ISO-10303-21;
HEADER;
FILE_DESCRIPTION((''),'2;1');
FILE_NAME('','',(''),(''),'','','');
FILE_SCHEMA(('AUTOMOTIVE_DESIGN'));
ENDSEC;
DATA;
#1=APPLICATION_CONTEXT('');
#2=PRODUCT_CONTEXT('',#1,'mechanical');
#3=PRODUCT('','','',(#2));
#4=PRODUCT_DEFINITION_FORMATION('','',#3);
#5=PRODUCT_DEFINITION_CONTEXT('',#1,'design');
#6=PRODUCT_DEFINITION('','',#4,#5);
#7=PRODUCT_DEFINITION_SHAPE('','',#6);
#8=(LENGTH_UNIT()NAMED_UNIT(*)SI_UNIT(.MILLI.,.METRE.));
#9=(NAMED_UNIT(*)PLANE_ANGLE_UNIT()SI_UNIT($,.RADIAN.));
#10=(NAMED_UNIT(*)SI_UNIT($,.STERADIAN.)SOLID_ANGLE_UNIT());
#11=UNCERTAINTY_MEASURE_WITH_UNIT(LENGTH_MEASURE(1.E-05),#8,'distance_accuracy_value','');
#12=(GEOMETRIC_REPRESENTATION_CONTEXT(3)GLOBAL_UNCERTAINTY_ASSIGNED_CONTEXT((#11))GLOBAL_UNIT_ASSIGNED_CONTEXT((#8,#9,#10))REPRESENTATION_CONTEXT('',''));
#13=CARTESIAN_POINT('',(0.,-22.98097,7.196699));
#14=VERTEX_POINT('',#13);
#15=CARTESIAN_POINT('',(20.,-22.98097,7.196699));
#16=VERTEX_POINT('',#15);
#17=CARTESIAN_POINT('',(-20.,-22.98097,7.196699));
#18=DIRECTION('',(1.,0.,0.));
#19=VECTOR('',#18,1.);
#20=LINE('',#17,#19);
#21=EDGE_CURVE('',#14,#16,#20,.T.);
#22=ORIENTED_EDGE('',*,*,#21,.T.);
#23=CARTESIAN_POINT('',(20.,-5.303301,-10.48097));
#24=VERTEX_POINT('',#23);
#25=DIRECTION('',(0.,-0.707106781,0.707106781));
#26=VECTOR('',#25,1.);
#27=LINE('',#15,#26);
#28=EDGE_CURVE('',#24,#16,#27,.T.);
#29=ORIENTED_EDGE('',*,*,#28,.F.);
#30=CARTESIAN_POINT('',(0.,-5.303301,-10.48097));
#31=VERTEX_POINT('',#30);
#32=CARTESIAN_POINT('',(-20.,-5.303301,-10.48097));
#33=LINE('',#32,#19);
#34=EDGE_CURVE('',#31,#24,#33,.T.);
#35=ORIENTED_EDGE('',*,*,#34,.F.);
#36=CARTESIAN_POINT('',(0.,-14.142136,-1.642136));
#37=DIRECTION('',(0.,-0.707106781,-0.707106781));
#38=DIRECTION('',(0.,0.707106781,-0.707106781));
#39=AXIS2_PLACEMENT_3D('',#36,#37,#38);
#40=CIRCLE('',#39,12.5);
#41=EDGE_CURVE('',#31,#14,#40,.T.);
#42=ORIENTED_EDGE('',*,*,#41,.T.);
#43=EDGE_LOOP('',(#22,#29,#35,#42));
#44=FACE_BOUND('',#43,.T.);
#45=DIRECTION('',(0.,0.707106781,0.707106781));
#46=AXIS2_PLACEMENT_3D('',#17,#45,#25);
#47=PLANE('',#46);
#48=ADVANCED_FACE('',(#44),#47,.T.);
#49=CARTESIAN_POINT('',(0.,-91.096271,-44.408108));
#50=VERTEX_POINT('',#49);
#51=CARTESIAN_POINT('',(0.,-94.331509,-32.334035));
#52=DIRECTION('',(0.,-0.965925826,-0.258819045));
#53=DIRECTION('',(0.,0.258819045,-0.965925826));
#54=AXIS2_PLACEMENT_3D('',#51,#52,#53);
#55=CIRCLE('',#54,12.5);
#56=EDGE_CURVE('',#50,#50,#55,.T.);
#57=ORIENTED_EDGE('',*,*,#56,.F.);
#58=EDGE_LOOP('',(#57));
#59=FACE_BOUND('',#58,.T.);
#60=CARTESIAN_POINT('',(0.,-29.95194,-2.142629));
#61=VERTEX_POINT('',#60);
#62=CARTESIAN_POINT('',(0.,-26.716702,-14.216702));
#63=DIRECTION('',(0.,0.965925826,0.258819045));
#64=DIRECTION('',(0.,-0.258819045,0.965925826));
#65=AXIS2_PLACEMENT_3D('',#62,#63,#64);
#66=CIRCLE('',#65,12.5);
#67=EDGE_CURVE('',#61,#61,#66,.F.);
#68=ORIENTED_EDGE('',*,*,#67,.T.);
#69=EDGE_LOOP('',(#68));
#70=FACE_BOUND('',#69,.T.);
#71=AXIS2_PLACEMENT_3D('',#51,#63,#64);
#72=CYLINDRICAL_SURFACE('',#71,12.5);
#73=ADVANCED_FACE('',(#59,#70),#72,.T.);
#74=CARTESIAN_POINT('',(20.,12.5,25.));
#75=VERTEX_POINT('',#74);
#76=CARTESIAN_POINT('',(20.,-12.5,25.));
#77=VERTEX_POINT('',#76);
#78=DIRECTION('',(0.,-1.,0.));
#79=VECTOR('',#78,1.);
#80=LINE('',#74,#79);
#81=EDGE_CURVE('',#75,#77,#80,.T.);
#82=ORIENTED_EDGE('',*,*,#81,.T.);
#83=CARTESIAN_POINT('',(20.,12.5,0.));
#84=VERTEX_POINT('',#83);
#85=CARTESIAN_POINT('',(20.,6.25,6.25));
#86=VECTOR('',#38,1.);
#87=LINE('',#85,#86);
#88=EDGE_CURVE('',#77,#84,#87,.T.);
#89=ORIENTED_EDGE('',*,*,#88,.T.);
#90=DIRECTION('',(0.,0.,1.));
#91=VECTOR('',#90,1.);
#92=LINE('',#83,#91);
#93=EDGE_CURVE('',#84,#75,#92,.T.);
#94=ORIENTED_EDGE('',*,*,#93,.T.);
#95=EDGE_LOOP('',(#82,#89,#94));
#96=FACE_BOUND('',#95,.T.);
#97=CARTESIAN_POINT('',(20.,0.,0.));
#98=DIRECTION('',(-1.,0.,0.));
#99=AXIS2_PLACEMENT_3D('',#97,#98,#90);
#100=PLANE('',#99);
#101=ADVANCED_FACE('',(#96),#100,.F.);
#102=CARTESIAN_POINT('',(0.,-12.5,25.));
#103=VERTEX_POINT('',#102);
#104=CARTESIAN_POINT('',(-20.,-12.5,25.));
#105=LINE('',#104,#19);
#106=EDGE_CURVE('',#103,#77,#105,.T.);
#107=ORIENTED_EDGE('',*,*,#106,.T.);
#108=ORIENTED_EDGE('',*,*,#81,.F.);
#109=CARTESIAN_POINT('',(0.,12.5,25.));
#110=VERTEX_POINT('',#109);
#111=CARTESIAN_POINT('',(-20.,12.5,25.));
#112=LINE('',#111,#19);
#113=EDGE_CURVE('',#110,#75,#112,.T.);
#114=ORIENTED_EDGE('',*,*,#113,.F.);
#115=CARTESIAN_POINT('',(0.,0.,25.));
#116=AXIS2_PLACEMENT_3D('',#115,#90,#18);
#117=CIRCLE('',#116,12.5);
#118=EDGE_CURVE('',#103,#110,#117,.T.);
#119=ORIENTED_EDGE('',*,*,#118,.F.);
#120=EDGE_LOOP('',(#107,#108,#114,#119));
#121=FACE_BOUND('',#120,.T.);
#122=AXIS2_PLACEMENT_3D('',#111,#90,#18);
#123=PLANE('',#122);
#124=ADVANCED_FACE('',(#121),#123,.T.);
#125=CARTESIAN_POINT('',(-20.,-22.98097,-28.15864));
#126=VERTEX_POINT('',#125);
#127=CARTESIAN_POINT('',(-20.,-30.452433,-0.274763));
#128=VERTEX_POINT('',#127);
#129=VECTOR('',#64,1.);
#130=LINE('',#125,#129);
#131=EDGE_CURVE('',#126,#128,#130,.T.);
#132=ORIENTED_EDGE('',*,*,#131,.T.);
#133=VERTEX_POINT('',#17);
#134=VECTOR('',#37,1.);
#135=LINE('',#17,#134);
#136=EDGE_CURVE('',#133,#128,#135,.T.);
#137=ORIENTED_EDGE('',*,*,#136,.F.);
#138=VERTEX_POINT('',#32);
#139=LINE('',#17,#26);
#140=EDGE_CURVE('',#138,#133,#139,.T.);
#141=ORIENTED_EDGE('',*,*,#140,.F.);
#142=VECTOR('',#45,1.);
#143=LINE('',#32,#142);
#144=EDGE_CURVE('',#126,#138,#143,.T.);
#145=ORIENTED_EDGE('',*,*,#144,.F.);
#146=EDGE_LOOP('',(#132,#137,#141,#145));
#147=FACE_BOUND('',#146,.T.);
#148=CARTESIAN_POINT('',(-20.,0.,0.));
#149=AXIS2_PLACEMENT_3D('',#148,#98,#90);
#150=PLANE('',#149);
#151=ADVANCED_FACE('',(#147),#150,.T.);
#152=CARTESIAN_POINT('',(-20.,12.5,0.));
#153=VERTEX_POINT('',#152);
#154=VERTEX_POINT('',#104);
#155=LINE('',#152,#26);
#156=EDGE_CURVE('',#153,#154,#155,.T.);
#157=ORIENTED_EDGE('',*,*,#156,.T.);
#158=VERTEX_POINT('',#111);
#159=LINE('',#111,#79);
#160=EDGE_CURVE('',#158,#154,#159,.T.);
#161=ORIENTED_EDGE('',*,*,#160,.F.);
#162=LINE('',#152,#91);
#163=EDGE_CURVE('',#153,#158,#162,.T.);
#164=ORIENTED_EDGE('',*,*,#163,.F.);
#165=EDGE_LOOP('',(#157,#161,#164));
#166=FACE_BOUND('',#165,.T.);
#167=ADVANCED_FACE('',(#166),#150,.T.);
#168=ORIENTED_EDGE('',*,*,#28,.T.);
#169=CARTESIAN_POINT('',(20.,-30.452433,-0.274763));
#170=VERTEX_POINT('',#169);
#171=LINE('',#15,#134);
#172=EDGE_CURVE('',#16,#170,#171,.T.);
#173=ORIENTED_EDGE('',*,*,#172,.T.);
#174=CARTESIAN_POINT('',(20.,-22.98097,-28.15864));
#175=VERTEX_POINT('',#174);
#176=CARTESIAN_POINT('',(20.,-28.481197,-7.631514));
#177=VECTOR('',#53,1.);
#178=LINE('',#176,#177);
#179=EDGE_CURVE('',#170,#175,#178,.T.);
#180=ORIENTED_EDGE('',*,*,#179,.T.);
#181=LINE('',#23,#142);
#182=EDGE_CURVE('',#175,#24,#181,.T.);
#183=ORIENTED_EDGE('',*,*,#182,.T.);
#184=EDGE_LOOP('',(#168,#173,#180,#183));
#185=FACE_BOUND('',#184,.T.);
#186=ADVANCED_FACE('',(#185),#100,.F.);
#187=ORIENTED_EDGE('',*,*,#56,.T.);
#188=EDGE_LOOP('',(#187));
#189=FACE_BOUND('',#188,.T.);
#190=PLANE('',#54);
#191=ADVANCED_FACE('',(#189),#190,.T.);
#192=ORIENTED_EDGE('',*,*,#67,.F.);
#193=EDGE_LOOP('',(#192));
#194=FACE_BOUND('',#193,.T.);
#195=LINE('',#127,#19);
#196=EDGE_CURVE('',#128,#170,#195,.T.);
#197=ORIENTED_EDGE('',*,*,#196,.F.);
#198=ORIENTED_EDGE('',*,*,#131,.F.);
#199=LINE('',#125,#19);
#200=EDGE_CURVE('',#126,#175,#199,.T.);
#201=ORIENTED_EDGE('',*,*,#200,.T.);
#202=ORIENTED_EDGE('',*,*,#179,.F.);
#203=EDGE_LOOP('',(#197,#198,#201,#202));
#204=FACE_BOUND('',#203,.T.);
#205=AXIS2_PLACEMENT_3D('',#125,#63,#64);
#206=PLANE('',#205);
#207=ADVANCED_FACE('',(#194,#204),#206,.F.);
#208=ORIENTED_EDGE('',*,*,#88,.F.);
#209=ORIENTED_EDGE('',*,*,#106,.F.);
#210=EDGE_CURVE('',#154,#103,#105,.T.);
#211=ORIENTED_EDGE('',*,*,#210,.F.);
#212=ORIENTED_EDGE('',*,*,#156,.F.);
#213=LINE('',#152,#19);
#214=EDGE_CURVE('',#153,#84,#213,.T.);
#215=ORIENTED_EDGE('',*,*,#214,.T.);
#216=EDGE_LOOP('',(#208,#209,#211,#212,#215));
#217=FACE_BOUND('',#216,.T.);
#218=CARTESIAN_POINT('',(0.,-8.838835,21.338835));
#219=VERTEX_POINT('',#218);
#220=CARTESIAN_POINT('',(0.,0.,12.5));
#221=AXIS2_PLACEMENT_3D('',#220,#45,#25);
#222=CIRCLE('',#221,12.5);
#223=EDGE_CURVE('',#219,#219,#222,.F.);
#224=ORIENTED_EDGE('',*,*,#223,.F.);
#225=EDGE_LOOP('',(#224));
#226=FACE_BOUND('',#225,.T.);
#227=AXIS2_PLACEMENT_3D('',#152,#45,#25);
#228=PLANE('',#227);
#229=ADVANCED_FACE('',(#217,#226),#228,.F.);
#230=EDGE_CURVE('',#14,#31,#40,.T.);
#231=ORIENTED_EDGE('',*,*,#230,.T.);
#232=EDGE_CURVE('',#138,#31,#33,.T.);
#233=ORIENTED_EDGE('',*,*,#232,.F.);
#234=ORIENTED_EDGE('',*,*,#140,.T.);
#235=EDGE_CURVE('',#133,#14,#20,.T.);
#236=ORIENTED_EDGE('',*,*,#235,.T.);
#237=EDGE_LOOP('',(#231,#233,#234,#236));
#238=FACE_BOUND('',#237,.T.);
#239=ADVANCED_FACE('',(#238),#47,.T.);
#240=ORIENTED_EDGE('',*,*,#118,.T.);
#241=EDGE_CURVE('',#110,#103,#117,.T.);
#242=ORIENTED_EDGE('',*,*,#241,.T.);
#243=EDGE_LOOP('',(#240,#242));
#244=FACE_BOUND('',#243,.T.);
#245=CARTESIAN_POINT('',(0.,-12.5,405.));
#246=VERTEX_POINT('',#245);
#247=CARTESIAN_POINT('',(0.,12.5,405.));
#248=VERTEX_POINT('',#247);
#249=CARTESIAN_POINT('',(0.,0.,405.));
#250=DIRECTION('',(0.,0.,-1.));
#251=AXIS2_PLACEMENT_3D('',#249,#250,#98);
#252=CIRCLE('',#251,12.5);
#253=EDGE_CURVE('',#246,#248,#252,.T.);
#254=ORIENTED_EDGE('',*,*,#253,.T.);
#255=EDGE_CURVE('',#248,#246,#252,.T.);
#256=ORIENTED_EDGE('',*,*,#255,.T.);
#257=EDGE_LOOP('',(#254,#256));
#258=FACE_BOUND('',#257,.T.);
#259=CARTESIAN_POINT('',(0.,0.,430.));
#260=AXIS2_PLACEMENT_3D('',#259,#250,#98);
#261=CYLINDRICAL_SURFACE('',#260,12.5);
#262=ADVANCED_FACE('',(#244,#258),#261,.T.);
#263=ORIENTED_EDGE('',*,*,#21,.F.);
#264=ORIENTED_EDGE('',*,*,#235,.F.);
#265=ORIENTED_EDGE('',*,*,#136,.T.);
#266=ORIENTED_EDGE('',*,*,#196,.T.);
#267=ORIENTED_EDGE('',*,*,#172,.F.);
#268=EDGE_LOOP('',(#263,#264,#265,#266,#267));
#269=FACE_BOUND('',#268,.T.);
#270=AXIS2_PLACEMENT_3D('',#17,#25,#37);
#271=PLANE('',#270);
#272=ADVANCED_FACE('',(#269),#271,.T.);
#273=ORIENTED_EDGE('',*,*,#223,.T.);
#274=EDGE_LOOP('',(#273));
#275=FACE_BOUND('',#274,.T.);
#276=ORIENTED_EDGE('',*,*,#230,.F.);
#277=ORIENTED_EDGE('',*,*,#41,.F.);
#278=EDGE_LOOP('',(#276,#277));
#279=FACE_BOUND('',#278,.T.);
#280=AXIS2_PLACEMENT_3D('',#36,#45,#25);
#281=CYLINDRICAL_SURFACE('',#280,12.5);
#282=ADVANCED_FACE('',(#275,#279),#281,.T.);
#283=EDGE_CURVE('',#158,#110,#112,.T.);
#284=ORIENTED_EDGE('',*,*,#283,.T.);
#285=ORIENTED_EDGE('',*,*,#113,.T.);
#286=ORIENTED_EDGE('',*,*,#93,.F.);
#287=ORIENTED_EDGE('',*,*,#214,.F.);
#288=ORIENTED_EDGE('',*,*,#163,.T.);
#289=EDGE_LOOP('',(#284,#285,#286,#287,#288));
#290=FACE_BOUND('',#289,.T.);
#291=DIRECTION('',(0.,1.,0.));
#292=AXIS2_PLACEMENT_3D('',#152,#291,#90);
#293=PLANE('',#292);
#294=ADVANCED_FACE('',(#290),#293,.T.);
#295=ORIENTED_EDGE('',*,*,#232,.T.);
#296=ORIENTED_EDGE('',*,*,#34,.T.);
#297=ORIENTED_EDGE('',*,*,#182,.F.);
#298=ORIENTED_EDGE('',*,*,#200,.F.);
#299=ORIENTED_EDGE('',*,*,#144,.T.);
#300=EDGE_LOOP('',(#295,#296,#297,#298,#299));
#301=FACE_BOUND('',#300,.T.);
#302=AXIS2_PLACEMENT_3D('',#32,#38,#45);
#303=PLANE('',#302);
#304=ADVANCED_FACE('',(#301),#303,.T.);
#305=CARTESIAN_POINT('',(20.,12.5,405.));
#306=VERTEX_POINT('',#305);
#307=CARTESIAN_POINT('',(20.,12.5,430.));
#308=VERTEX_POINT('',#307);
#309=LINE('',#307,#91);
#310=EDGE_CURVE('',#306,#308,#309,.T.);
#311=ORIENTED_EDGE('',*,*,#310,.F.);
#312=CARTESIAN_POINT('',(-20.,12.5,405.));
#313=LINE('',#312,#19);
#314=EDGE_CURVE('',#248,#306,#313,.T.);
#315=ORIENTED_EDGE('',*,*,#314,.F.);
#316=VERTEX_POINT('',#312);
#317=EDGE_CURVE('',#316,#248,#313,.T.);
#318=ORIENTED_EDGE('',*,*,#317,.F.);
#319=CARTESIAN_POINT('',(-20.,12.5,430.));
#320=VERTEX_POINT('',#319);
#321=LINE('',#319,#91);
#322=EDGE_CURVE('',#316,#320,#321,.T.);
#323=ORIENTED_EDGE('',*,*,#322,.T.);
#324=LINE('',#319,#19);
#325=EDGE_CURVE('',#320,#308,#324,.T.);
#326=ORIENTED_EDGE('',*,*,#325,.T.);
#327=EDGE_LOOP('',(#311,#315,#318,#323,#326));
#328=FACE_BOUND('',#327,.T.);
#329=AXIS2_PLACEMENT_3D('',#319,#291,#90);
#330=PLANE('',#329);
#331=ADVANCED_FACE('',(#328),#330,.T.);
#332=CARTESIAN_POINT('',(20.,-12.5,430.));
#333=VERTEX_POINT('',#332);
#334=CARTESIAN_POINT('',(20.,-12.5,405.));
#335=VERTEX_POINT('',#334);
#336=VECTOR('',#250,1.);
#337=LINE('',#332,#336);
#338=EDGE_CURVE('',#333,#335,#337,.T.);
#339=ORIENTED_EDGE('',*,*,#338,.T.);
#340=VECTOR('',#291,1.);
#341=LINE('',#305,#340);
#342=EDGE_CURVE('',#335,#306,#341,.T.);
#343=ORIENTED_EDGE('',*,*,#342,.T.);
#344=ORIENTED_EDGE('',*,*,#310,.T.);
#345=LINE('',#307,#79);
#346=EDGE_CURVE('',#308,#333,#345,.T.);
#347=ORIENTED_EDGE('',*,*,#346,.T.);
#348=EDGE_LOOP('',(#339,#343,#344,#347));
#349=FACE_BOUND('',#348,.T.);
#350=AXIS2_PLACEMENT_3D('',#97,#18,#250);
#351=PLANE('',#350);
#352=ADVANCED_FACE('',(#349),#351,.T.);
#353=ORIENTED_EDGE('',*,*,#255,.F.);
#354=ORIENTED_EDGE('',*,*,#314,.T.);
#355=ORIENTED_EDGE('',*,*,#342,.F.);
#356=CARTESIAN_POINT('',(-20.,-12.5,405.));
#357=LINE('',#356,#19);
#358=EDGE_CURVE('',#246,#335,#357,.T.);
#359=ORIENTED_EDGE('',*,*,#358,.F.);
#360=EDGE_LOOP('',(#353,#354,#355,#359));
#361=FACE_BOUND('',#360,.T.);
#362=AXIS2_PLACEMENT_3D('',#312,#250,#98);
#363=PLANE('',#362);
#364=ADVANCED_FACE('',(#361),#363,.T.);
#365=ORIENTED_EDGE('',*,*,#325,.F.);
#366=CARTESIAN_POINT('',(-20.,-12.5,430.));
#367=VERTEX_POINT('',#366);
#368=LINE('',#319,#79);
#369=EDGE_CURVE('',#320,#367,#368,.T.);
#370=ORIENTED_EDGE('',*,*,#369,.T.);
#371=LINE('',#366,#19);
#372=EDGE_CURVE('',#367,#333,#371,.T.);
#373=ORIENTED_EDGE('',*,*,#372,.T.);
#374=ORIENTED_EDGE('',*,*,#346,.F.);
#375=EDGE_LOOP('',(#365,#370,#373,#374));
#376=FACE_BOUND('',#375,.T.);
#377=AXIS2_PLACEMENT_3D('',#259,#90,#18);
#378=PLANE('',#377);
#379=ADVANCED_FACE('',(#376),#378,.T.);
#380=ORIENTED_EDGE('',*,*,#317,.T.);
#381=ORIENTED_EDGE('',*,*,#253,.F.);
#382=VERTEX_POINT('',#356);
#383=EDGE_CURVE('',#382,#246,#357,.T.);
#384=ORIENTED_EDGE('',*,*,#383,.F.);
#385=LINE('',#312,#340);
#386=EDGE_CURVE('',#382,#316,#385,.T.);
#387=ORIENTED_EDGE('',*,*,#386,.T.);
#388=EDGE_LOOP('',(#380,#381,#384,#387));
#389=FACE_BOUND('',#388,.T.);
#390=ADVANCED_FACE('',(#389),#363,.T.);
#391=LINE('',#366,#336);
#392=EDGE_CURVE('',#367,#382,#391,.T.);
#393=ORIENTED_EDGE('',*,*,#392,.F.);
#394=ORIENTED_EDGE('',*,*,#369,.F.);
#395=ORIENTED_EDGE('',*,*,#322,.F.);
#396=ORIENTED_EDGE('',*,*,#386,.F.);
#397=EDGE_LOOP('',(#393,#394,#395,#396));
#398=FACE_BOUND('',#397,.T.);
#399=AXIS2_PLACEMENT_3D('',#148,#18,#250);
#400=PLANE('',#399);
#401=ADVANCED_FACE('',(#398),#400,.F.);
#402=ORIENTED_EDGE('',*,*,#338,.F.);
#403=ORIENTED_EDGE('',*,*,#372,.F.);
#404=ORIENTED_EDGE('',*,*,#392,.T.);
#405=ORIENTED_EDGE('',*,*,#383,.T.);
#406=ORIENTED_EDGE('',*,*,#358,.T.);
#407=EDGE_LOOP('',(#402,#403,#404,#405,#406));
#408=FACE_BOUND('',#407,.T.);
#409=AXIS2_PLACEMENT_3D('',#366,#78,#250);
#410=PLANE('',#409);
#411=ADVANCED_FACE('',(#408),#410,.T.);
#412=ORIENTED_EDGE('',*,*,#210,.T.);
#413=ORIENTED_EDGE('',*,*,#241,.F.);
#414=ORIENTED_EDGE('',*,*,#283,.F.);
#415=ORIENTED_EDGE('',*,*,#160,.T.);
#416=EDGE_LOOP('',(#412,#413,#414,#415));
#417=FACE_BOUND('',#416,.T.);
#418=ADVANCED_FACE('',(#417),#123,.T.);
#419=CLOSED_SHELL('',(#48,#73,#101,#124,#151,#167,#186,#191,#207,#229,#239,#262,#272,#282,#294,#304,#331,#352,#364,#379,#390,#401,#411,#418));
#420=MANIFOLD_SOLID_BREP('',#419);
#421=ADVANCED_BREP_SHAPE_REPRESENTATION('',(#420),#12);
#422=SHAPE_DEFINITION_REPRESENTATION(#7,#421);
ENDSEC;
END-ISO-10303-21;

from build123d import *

# Parameters (mm, degrees)
ESQUISSE3_R                  = 12.5
BOSS_EXTRU_1_DEPTH           = 430
BOSS_EXTRU_2_DEPTH           = 20
BOSS_EXTRU_2_DEPTH_BACK      = 20
ESQUISSE4_W                  = 25
ESQUISSE4_H                  = 25
ENL_V_MAT_EXTRU_1_DEPTH      = 433.037324776
ENL_V_MAT_EXTRU_1_DEPTH_BACK = 433.037324776
ESQUISSE9_R                  = 12.5
BOSS_EXTRU_3_DEPTH           = 20
BOSS_EXTRU_4_DEPTH           = 40
ENL_V_MAT_EXTRU_2_DEPTH      = 434.766210072
ENL_V_MAT_EXTRU_2_DEPTH_BACK = 434.766210072
ESQUISSE12_R                 = 12.5
BOSS_EXTRU_5_DEPTH           = 70


with BuildPart() as part:
    # Esquisse3 → Boss.-Extru.1 (new body)
    with BuildSketch(Plane.XY):
        Circle(ESQUISSE3_R)
    extrude(amount=BOSS_EXTRU_1_DEPTH)

    # Esquisse4 → Boss.-Extru.2 (add, two sides: drawn at the far end of the back side and taken through both)
    with BuildSketch(Plane(origin=(0, 0, 0), x_dir=(0, 0, -1), z_dir=(1, 0, 0)).offset(-BOSS_EXTRU_2_DEPTH_BACK)):
        with Locations((-417.5, 0)):
            Rectangle(ESQUISSE4_W, ESQUISSE4_H)
        with Locations((-12.5, 0)):
            Rectangle(ESQUISSE4_W, ESQUISSE4_H)
    extrude(amount=BOSS_EXTRU_2_DEPTH + BOSS_EXTRU_2_DEPTH_BACK)

    # Esquisse8 → Enlèv. mat.-Extru.1 (cut, two sides: drawn at the far end of the back side and taken through both)
    with BuildSketch(Plane(origin=(20, 0, 0), x_dir=(0, 0, -1), z_dir=(1, 0, 0)).offset(-ENL_V_MAT_EXTRU_1_DEPTH_BACK)):
        Polygon((0, 12.5), (-25, -12.5), (0, -12.5), align=None)
    extrude(amount=ENL_V_MAT_EXTRU_1_DEPTH + ENL_V_MAT_EXTRU_1_DEPTH_BACK, mode=Mode.SUBTRACT)

    # Esquisse9 → Boss.-Extru.3 (add)
    with BuildSketch(Plane(origin=(0, 6.25, 6.25), x_dir=(-1, 0, 0), z_dir=(0, -0.7071067811865462, -0.707106781186549))):
        with Locations(Location((0, -8.838834765, 0), (0, 0, 270))):
            Circle(ESQUISSE9_R)
    extrude(amount=BOSS_EXTRU_3_DEPTH)

    # Esquisse10 → Boss.-Extru.4 (add)
    with BuildSketch(Plane(origin=(20, 0, 0), x_dir=(0, 0, -1), z_dir=(1, 0, 0))):
        Polygon((-7.196699141, -22.980970389), (10.480970389, -5.303300859), (28.158639918, -22.980970389), (10.480970389, -40.658639918), align=None)
    extrude(amount=-BOSS_EXTRU_4_DEPTH)

    # Esquisse11 → Enlèv. mat.-Extru.2 (cut, two sides: drawn at the far end of the back side and taken through both)
    with BuildSketch(Plane(origin=(20, 0, 0), x_dir=(0, 0, -1), z_dir=(1, 0, 0)).offset(-ENL_V_MAT_EXTRU_2_DEPTH_BACK)):
        Polygon((28.158639918, -22.980970389), (0.274763127, -30.452432657), (10.480970389, -40.658639918), align=None)
    extrude(amount=ENL_V_MAT_EXTRU_2_DEPTH + ENL_V_MAT_EXTRU_2_DEPTH_BACK, mode=Mode.SUBTRACT)

    # Esquisse12 → Boss.-Extru.5 (add)
    with BuildSketch(Plane(origin=(0, -28.481197254, -7.631513804), x_dir=(1, 0, 0), z_dir=(0, -0.9659258262890676, -0.2588190451025233))):
        with Locations(Location((0, -6.817487989, 0), (0, 0, 90))):
            Circle(ESQUISSE12_R)
    extrude(amount=BOSS_EXTRU_5_DEPTH)


solid = part.part
